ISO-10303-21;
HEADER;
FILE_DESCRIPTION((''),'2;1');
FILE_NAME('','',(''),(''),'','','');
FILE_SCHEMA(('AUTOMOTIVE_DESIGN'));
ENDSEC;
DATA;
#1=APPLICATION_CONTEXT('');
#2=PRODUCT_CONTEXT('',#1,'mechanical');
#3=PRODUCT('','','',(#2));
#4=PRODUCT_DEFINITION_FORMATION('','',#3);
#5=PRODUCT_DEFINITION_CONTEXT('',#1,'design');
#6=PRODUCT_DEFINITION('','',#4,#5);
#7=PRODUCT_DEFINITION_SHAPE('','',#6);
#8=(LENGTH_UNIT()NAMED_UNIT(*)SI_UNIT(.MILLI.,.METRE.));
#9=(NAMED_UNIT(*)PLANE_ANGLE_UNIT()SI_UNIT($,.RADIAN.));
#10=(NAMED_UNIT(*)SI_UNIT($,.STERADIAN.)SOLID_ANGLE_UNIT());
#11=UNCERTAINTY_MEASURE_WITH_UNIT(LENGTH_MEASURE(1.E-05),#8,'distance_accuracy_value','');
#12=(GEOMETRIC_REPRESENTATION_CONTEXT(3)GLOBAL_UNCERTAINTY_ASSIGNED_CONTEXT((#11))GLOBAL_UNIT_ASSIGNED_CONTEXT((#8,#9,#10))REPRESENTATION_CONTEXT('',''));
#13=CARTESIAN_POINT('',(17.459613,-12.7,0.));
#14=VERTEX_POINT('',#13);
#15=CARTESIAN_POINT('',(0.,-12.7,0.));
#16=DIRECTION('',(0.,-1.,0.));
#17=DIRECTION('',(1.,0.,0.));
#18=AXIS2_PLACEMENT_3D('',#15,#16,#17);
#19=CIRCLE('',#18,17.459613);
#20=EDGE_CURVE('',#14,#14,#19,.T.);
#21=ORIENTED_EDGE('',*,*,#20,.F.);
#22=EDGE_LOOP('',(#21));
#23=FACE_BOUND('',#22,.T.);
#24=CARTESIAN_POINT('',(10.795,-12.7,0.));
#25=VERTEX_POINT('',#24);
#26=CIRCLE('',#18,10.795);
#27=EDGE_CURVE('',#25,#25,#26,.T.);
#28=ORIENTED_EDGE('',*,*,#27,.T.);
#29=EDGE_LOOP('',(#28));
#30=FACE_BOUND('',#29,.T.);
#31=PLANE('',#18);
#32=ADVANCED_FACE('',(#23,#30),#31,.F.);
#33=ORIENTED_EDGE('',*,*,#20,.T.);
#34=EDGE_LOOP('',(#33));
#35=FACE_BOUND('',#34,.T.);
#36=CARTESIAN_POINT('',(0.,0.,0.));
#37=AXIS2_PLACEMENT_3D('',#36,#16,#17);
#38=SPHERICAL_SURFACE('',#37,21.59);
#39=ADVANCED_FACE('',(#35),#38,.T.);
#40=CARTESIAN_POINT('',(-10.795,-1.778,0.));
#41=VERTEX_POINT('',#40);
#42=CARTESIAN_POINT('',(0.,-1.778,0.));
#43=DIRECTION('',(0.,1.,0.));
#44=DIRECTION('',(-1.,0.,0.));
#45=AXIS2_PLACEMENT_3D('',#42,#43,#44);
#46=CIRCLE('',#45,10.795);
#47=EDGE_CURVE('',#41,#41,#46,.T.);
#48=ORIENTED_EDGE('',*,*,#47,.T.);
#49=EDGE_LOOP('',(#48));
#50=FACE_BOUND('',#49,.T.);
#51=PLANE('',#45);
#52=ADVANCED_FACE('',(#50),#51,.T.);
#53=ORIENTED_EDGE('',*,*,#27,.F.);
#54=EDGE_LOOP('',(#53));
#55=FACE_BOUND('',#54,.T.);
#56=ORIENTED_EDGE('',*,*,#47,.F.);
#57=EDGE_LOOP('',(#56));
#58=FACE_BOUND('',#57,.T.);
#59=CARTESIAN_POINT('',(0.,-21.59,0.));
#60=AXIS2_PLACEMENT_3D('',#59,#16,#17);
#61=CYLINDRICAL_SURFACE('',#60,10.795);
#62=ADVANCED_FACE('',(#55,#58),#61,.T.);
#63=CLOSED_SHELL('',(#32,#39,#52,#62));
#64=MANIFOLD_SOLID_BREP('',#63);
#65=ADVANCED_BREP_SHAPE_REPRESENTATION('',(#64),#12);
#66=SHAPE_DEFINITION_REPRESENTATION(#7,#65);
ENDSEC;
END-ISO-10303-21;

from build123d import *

# Parameters (mm, degrees)
SKETCH2_R          = 10.795
CUT_EXTRUDE1_DEPTH = 1.778


with BuildPart() as part:
    # Sketch1 one side → Revolve5 (revolve)
    with BuildSketch(Plane.XY):
        with BuildLine():
            Line((0, 0), (-10.795, 0))
            Line((-10.795, 0), (-10.795, -12.7))
            Line((-10.795, -12.7), (-17.459613398, -12.7))
            ThreePointArc((-17.459613398, -12.7), (-9.796302874, -19.239556908), (0, -21.59))
            Line((0, -21.59), (0, 0))
        make_face()
    revolve(axis=Axis((0, -21.59, 0), (0, 1, 0)))

    # Sketch2 → Cut-Extrude1 (cut)
    with BuildSketch(Plane(origin=(0, 0, 0), x_dir=(1, 0, 0), z_dir=(0, 1, 0))):
        Circle(SKETCH2_R)
    extrude(amount=-CUT_EXTRUDE1_DEPTH, mode=Mode.SUBTRACT)


solid = part.part
